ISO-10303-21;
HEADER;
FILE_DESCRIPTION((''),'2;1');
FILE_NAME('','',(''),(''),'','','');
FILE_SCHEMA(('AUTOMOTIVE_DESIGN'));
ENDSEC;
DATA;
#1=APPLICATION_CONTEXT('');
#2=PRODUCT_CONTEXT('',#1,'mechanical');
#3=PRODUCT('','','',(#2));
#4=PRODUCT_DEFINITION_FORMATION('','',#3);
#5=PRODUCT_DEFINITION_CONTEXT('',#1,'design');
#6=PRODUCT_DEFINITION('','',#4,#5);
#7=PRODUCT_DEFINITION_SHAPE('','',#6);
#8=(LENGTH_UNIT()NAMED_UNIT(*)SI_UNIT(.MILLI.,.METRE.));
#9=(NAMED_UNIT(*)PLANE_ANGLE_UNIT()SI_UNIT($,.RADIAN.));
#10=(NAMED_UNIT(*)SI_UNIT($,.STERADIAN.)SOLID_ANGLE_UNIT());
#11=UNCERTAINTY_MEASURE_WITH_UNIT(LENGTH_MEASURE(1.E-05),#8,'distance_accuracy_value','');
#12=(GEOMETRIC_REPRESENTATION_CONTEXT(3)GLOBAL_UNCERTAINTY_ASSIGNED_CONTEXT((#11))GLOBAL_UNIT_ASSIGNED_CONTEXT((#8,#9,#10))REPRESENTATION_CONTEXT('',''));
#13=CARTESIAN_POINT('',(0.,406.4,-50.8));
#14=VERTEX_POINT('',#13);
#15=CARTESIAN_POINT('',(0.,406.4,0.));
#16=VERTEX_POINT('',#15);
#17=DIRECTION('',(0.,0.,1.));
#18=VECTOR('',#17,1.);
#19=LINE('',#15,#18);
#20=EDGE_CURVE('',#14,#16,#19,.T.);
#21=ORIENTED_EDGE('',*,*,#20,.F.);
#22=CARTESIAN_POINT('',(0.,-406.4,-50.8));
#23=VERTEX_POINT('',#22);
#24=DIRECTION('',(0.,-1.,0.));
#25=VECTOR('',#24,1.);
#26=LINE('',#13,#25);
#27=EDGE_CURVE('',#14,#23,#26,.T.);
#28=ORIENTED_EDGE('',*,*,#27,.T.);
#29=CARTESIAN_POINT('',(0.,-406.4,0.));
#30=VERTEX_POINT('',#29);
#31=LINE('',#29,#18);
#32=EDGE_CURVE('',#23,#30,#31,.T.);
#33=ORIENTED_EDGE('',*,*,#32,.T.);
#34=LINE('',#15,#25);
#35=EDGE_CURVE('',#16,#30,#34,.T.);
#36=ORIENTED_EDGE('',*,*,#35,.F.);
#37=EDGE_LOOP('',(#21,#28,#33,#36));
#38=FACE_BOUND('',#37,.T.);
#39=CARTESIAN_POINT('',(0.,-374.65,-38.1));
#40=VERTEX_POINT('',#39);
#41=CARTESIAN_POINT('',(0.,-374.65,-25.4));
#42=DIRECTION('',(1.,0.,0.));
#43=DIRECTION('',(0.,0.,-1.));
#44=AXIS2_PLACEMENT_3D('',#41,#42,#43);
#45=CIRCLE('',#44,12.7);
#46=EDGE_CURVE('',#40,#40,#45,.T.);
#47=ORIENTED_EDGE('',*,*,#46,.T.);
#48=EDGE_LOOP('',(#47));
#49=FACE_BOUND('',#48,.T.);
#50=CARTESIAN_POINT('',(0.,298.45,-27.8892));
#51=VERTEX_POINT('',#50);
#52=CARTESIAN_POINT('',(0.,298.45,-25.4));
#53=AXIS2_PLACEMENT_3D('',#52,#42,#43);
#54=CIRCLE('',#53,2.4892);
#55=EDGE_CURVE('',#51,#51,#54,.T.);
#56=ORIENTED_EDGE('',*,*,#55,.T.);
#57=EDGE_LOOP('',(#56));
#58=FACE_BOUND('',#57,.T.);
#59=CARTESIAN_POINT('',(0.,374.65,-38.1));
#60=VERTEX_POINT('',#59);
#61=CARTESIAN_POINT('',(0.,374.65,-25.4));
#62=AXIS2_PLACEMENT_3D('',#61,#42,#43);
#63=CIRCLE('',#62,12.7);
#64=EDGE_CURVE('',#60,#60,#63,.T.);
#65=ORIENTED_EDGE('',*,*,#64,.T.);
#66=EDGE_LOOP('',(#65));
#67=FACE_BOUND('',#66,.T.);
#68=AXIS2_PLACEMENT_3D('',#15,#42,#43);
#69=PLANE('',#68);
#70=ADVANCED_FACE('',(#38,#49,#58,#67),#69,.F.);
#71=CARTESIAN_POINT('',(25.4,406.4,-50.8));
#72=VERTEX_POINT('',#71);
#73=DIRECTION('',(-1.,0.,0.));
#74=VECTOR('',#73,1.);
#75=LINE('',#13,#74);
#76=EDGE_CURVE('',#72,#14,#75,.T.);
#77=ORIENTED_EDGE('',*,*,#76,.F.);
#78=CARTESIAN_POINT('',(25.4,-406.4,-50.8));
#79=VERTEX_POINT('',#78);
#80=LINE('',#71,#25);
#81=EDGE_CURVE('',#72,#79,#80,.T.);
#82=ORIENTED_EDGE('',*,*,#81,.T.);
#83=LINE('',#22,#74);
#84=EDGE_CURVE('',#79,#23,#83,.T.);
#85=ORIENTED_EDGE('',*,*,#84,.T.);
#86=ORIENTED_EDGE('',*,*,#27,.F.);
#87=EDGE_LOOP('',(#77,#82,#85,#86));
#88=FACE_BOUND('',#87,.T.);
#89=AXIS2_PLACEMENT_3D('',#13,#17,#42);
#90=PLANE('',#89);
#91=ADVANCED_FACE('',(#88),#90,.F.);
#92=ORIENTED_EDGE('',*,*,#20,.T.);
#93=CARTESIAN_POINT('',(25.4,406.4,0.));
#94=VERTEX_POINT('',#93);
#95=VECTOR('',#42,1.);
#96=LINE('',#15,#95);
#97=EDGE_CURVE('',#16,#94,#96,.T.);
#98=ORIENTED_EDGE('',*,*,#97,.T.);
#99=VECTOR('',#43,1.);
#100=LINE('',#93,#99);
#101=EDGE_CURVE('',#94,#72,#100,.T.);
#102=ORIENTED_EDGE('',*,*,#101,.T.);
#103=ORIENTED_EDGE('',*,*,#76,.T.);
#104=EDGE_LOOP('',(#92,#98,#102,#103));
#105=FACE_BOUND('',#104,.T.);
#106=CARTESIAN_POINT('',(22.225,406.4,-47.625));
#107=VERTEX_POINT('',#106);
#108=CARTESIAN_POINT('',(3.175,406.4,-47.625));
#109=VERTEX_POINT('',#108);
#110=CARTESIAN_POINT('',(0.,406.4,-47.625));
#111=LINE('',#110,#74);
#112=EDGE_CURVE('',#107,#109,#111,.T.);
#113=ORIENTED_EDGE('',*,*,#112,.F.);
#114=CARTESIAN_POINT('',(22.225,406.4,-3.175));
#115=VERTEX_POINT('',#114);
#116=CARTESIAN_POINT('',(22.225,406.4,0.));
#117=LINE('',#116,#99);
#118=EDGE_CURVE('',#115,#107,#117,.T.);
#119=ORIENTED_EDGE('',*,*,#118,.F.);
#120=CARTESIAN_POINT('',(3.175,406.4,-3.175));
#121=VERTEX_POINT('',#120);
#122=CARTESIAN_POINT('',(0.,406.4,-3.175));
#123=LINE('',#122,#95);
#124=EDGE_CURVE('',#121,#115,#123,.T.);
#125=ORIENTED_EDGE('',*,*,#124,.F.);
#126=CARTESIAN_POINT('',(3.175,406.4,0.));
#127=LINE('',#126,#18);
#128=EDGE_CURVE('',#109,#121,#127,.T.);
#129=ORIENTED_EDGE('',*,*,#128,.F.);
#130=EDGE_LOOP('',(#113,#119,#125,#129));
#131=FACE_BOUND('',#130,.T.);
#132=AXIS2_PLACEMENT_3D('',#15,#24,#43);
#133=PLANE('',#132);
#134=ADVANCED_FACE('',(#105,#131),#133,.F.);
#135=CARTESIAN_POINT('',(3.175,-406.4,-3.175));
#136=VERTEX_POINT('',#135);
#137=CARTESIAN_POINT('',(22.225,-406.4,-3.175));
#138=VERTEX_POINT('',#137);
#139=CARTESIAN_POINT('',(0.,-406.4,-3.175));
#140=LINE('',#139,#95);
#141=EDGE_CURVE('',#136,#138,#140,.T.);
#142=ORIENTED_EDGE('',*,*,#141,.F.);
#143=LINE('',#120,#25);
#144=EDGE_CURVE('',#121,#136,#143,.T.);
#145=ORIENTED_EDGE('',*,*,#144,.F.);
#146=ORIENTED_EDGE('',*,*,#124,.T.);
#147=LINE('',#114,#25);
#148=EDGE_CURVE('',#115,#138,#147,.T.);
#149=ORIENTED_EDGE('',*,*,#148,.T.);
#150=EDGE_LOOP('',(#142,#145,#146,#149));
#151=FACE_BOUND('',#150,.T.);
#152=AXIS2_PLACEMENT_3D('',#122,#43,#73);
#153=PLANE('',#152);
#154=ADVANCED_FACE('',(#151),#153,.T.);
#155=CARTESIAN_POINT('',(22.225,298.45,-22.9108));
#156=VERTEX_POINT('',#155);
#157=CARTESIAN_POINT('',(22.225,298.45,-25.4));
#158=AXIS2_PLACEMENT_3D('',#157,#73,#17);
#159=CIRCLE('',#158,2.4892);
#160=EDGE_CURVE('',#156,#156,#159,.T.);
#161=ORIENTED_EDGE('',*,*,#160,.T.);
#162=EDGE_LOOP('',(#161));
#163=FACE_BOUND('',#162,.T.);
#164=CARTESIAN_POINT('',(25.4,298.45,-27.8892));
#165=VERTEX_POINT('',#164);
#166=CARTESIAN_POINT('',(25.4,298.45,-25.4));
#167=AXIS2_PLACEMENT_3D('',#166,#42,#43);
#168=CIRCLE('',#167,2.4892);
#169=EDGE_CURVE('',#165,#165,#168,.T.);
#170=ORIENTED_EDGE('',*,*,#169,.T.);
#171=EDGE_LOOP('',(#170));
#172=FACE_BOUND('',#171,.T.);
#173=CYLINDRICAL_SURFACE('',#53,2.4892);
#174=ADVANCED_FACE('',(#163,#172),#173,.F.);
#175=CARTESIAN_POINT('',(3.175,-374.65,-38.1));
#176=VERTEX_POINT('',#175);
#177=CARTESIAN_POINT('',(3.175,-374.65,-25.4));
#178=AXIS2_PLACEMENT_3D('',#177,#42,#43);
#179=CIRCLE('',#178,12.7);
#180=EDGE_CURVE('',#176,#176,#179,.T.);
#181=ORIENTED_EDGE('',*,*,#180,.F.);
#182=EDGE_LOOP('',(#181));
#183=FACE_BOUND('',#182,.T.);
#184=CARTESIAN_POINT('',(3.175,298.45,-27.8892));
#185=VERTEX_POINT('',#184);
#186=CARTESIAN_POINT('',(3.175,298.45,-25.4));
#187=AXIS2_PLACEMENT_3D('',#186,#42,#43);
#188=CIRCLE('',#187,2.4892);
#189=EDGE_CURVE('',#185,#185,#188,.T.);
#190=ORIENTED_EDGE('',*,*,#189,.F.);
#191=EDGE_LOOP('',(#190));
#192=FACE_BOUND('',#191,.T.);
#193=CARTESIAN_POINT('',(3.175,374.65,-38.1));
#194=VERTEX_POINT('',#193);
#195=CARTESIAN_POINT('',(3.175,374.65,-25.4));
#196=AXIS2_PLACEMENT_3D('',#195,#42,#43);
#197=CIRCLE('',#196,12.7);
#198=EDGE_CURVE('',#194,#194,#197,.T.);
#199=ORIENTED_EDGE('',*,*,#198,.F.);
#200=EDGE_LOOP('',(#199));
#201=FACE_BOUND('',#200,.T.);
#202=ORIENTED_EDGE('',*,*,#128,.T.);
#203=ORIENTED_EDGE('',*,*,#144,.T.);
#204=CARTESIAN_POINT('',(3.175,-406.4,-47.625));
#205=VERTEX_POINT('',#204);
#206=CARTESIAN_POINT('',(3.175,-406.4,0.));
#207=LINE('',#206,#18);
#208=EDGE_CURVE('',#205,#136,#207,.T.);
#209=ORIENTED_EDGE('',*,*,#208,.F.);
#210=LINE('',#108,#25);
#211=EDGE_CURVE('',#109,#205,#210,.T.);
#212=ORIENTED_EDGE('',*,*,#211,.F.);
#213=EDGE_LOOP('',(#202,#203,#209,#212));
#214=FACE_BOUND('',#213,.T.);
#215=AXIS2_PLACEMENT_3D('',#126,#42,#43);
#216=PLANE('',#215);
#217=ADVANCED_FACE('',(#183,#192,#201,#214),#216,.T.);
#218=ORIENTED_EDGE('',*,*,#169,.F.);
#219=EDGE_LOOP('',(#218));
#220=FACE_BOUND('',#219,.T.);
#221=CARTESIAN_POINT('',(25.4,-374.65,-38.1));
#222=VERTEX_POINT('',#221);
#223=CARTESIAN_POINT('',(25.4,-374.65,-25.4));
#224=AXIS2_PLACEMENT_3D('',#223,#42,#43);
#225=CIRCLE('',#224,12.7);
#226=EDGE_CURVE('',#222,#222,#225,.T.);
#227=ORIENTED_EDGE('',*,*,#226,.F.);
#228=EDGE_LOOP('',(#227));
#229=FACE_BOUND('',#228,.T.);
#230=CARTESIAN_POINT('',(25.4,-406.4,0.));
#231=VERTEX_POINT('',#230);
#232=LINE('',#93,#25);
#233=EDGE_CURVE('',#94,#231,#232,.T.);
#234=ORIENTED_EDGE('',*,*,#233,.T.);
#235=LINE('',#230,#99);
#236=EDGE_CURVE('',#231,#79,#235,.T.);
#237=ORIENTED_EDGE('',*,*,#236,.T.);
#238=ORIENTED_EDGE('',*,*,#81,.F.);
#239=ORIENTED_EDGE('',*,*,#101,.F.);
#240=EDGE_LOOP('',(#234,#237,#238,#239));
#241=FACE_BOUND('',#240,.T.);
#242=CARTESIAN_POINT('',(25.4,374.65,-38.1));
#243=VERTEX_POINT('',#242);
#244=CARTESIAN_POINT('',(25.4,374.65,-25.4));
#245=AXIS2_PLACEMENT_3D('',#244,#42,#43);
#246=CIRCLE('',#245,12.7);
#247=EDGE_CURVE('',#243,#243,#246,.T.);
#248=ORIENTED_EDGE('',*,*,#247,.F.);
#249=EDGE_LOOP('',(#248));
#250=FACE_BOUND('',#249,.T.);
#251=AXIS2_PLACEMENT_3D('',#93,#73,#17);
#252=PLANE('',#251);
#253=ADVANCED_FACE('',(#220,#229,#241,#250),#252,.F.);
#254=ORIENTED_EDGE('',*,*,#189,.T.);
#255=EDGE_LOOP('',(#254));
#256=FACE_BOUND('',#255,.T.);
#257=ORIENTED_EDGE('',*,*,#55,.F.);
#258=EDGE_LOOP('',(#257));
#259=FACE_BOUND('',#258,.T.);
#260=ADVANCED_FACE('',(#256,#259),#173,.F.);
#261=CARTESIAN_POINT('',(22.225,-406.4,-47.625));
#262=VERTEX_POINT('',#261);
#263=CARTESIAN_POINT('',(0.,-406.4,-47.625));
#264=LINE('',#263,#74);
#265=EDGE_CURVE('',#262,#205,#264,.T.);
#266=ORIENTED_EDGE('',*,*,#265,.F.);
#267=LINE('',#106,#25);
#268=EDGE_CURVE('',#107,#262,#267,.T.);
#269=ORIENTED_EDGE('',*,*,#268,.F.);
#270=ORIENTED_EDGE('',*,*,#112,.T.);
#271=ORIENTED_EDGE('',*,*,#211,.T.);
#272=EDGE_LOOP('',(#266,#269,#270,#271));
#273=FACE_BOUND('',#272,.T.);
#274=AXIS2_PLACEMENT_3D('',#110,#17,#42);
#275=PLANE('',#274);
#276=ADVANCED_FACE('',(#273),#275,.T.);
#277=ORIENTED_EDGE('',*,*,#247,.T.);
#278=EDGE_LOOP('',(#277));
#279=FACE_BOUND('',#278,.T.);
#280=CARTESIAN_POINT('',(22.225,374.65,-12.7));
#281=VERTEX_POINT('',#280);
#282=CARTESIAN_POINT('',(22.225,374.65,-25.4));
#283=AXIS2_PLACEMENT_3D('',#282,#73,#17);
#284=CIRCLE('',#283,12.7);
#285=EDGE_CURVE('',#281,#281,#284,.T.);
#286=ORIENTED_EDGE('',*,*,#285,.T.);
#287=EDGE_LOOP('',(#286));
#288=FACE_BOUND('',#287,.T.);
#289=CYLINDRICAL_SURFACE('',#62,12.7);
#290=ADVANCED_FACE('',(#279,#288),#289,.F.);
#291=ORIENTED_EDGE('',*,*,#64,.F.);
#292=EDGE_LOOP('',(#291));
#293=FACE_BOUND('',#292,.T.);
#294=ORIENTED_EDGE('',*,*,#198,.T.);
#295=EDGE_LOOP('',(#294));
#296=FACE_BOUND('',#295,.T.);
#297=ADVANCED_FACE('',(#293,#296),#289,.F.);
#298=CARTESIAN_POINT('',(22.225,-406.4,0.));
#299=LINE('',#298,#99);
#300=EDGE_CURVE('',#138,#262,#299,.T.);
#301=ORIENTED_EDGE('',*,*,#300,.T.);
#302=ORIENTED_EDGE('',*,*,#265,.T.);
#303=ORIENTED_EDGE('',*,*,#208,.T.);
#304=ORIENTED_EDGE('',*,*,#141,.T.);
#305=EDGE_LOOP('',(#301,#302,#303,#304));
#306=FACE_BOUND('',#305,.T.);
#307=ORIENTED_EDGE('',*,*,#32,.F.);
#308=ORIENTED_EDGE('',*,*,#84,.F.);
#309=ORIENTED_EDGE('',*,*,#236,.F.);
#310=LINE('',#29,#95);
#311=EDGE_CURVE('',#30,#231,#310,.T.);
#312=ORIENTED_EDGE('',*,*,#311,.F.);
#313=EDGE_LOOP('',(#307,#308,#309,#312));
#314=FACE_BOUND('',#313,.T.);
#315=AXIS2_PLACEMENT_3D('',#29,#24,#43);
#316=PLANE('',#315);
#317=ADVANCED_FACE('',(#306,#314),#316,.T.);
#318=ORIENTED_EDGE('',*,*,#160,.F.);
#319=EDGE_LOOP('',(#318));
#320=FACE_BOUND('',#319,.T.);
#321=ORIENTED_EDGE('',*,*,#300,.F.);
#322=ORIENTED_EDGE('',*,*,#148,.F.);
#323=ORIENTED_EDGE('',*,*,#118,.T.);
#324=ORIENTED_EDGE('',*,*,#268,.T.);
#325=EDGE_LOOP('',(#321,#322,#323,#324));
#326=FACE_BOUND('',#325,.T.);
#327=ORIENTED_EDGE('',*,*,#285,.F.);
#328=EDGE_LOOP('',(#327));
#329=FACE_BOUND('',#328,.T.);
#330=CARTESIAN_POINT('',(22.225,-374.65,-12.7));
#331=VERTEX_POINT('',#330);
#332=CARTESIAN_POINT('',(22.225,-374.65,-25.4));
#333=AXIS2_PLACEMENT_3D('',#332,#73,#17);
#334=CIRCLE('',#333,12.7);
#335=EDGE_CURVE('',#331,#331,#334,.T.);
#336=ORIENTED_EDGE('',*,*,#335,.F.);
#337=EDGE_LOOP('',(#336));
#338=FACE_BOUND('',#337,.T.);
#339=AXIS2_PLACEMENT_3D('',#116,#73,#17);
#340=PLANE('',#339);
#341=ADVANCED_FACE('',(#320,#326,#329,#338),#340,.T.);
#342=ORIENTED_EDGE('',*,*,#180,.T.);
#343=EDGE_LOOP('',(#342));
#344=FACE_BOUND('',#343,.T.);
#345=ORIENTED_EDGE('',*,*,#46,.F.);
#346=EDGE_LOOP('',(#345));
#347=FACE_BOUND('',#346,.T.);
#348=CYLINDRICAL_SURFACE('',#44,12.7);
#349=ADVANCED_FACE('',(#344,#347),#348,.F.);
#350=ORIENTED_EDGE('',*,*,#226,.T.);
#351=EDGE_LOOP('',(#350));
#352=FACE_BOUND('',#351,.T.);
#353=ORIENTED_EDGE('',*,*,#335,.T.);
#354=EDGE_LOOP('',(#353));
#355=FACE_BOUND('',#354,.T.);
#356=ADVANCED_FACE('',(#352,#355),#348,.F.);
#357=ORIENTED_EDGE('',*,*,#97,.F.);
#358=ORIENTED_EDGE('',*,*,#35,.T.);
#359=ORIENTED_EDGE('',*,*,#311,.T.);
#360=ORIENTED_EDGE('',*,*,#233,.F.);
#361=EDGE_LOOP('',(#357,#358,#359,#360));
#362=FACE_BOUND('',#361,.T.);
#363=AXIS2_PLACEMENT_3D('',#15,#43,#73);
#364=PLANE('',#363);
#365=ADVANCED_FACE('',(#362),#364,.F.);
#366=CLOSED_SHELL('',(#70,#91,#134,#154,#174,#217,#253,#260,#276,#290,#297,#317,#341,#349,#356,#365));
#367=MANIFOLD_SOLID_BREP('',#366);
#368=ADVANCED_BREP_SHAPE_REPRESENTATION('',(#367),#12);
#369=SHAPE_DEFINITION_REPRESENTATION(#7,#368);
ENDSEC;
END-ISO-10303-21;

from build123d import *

# Parameters (mm, degrees)
SKETCH1_W           = 25.4
SKETCH1_H           = 50.8
BOSS_EXTRUDE1_DEPTH = 406.4
SHELL1_T            = -3.175
SKETCH2_R           = 12.7
SKETCH2_R_2         = 2.4892
CUT_EXTRUDE1_DEPTH  = 411.349558304


with BuildPart() as part:
    # Sketch1 → Boss-Extrude1 (new, symmetric)
    with BuildSketch(Plane(origin=(0, 0, 0), x_dir=(1, 0, 0), z_dir=(0, 1, 0))):
        with Locations((12.7, 25.4)):
            Rectangle(SKETCH1_W, SKETCH1_H)
    extrude(amount=BOSS_EXTRUDE1_DEPTH, both=True)

    # Shell1
    shell1_openings = [part.faces().sort_by_distance(p)[0] for p in [
        (12.7, 406.4, -25.4),
        (12.7, -406.4, -25.4),
    ]]
    offset(amount=SHELL1_T, openings=shell1_openings, kind=Kind.INTERSECTION)

    # Sketch2 → Cut-Extrude1 (cut, through all)
    with BuildSketch(Plane(origin=(25.4, 0, 0), x_dir=(0, 0, -1), z_dir=(1, 0, 0))):
        with Locations((25.4, 374.65)):
            Circle(SKETCH2_R)
        with Locations((25.4, -374.65)):
            Circle(SKETCH2_R)
        with Locations((25.4, 298.45)):
            Circle(SKETCH2_R_2)
    extrude(amount=-CUT_EXTRUDE1_DEPTH, mode=Mode.SUBTRACT)


solid = part.part
